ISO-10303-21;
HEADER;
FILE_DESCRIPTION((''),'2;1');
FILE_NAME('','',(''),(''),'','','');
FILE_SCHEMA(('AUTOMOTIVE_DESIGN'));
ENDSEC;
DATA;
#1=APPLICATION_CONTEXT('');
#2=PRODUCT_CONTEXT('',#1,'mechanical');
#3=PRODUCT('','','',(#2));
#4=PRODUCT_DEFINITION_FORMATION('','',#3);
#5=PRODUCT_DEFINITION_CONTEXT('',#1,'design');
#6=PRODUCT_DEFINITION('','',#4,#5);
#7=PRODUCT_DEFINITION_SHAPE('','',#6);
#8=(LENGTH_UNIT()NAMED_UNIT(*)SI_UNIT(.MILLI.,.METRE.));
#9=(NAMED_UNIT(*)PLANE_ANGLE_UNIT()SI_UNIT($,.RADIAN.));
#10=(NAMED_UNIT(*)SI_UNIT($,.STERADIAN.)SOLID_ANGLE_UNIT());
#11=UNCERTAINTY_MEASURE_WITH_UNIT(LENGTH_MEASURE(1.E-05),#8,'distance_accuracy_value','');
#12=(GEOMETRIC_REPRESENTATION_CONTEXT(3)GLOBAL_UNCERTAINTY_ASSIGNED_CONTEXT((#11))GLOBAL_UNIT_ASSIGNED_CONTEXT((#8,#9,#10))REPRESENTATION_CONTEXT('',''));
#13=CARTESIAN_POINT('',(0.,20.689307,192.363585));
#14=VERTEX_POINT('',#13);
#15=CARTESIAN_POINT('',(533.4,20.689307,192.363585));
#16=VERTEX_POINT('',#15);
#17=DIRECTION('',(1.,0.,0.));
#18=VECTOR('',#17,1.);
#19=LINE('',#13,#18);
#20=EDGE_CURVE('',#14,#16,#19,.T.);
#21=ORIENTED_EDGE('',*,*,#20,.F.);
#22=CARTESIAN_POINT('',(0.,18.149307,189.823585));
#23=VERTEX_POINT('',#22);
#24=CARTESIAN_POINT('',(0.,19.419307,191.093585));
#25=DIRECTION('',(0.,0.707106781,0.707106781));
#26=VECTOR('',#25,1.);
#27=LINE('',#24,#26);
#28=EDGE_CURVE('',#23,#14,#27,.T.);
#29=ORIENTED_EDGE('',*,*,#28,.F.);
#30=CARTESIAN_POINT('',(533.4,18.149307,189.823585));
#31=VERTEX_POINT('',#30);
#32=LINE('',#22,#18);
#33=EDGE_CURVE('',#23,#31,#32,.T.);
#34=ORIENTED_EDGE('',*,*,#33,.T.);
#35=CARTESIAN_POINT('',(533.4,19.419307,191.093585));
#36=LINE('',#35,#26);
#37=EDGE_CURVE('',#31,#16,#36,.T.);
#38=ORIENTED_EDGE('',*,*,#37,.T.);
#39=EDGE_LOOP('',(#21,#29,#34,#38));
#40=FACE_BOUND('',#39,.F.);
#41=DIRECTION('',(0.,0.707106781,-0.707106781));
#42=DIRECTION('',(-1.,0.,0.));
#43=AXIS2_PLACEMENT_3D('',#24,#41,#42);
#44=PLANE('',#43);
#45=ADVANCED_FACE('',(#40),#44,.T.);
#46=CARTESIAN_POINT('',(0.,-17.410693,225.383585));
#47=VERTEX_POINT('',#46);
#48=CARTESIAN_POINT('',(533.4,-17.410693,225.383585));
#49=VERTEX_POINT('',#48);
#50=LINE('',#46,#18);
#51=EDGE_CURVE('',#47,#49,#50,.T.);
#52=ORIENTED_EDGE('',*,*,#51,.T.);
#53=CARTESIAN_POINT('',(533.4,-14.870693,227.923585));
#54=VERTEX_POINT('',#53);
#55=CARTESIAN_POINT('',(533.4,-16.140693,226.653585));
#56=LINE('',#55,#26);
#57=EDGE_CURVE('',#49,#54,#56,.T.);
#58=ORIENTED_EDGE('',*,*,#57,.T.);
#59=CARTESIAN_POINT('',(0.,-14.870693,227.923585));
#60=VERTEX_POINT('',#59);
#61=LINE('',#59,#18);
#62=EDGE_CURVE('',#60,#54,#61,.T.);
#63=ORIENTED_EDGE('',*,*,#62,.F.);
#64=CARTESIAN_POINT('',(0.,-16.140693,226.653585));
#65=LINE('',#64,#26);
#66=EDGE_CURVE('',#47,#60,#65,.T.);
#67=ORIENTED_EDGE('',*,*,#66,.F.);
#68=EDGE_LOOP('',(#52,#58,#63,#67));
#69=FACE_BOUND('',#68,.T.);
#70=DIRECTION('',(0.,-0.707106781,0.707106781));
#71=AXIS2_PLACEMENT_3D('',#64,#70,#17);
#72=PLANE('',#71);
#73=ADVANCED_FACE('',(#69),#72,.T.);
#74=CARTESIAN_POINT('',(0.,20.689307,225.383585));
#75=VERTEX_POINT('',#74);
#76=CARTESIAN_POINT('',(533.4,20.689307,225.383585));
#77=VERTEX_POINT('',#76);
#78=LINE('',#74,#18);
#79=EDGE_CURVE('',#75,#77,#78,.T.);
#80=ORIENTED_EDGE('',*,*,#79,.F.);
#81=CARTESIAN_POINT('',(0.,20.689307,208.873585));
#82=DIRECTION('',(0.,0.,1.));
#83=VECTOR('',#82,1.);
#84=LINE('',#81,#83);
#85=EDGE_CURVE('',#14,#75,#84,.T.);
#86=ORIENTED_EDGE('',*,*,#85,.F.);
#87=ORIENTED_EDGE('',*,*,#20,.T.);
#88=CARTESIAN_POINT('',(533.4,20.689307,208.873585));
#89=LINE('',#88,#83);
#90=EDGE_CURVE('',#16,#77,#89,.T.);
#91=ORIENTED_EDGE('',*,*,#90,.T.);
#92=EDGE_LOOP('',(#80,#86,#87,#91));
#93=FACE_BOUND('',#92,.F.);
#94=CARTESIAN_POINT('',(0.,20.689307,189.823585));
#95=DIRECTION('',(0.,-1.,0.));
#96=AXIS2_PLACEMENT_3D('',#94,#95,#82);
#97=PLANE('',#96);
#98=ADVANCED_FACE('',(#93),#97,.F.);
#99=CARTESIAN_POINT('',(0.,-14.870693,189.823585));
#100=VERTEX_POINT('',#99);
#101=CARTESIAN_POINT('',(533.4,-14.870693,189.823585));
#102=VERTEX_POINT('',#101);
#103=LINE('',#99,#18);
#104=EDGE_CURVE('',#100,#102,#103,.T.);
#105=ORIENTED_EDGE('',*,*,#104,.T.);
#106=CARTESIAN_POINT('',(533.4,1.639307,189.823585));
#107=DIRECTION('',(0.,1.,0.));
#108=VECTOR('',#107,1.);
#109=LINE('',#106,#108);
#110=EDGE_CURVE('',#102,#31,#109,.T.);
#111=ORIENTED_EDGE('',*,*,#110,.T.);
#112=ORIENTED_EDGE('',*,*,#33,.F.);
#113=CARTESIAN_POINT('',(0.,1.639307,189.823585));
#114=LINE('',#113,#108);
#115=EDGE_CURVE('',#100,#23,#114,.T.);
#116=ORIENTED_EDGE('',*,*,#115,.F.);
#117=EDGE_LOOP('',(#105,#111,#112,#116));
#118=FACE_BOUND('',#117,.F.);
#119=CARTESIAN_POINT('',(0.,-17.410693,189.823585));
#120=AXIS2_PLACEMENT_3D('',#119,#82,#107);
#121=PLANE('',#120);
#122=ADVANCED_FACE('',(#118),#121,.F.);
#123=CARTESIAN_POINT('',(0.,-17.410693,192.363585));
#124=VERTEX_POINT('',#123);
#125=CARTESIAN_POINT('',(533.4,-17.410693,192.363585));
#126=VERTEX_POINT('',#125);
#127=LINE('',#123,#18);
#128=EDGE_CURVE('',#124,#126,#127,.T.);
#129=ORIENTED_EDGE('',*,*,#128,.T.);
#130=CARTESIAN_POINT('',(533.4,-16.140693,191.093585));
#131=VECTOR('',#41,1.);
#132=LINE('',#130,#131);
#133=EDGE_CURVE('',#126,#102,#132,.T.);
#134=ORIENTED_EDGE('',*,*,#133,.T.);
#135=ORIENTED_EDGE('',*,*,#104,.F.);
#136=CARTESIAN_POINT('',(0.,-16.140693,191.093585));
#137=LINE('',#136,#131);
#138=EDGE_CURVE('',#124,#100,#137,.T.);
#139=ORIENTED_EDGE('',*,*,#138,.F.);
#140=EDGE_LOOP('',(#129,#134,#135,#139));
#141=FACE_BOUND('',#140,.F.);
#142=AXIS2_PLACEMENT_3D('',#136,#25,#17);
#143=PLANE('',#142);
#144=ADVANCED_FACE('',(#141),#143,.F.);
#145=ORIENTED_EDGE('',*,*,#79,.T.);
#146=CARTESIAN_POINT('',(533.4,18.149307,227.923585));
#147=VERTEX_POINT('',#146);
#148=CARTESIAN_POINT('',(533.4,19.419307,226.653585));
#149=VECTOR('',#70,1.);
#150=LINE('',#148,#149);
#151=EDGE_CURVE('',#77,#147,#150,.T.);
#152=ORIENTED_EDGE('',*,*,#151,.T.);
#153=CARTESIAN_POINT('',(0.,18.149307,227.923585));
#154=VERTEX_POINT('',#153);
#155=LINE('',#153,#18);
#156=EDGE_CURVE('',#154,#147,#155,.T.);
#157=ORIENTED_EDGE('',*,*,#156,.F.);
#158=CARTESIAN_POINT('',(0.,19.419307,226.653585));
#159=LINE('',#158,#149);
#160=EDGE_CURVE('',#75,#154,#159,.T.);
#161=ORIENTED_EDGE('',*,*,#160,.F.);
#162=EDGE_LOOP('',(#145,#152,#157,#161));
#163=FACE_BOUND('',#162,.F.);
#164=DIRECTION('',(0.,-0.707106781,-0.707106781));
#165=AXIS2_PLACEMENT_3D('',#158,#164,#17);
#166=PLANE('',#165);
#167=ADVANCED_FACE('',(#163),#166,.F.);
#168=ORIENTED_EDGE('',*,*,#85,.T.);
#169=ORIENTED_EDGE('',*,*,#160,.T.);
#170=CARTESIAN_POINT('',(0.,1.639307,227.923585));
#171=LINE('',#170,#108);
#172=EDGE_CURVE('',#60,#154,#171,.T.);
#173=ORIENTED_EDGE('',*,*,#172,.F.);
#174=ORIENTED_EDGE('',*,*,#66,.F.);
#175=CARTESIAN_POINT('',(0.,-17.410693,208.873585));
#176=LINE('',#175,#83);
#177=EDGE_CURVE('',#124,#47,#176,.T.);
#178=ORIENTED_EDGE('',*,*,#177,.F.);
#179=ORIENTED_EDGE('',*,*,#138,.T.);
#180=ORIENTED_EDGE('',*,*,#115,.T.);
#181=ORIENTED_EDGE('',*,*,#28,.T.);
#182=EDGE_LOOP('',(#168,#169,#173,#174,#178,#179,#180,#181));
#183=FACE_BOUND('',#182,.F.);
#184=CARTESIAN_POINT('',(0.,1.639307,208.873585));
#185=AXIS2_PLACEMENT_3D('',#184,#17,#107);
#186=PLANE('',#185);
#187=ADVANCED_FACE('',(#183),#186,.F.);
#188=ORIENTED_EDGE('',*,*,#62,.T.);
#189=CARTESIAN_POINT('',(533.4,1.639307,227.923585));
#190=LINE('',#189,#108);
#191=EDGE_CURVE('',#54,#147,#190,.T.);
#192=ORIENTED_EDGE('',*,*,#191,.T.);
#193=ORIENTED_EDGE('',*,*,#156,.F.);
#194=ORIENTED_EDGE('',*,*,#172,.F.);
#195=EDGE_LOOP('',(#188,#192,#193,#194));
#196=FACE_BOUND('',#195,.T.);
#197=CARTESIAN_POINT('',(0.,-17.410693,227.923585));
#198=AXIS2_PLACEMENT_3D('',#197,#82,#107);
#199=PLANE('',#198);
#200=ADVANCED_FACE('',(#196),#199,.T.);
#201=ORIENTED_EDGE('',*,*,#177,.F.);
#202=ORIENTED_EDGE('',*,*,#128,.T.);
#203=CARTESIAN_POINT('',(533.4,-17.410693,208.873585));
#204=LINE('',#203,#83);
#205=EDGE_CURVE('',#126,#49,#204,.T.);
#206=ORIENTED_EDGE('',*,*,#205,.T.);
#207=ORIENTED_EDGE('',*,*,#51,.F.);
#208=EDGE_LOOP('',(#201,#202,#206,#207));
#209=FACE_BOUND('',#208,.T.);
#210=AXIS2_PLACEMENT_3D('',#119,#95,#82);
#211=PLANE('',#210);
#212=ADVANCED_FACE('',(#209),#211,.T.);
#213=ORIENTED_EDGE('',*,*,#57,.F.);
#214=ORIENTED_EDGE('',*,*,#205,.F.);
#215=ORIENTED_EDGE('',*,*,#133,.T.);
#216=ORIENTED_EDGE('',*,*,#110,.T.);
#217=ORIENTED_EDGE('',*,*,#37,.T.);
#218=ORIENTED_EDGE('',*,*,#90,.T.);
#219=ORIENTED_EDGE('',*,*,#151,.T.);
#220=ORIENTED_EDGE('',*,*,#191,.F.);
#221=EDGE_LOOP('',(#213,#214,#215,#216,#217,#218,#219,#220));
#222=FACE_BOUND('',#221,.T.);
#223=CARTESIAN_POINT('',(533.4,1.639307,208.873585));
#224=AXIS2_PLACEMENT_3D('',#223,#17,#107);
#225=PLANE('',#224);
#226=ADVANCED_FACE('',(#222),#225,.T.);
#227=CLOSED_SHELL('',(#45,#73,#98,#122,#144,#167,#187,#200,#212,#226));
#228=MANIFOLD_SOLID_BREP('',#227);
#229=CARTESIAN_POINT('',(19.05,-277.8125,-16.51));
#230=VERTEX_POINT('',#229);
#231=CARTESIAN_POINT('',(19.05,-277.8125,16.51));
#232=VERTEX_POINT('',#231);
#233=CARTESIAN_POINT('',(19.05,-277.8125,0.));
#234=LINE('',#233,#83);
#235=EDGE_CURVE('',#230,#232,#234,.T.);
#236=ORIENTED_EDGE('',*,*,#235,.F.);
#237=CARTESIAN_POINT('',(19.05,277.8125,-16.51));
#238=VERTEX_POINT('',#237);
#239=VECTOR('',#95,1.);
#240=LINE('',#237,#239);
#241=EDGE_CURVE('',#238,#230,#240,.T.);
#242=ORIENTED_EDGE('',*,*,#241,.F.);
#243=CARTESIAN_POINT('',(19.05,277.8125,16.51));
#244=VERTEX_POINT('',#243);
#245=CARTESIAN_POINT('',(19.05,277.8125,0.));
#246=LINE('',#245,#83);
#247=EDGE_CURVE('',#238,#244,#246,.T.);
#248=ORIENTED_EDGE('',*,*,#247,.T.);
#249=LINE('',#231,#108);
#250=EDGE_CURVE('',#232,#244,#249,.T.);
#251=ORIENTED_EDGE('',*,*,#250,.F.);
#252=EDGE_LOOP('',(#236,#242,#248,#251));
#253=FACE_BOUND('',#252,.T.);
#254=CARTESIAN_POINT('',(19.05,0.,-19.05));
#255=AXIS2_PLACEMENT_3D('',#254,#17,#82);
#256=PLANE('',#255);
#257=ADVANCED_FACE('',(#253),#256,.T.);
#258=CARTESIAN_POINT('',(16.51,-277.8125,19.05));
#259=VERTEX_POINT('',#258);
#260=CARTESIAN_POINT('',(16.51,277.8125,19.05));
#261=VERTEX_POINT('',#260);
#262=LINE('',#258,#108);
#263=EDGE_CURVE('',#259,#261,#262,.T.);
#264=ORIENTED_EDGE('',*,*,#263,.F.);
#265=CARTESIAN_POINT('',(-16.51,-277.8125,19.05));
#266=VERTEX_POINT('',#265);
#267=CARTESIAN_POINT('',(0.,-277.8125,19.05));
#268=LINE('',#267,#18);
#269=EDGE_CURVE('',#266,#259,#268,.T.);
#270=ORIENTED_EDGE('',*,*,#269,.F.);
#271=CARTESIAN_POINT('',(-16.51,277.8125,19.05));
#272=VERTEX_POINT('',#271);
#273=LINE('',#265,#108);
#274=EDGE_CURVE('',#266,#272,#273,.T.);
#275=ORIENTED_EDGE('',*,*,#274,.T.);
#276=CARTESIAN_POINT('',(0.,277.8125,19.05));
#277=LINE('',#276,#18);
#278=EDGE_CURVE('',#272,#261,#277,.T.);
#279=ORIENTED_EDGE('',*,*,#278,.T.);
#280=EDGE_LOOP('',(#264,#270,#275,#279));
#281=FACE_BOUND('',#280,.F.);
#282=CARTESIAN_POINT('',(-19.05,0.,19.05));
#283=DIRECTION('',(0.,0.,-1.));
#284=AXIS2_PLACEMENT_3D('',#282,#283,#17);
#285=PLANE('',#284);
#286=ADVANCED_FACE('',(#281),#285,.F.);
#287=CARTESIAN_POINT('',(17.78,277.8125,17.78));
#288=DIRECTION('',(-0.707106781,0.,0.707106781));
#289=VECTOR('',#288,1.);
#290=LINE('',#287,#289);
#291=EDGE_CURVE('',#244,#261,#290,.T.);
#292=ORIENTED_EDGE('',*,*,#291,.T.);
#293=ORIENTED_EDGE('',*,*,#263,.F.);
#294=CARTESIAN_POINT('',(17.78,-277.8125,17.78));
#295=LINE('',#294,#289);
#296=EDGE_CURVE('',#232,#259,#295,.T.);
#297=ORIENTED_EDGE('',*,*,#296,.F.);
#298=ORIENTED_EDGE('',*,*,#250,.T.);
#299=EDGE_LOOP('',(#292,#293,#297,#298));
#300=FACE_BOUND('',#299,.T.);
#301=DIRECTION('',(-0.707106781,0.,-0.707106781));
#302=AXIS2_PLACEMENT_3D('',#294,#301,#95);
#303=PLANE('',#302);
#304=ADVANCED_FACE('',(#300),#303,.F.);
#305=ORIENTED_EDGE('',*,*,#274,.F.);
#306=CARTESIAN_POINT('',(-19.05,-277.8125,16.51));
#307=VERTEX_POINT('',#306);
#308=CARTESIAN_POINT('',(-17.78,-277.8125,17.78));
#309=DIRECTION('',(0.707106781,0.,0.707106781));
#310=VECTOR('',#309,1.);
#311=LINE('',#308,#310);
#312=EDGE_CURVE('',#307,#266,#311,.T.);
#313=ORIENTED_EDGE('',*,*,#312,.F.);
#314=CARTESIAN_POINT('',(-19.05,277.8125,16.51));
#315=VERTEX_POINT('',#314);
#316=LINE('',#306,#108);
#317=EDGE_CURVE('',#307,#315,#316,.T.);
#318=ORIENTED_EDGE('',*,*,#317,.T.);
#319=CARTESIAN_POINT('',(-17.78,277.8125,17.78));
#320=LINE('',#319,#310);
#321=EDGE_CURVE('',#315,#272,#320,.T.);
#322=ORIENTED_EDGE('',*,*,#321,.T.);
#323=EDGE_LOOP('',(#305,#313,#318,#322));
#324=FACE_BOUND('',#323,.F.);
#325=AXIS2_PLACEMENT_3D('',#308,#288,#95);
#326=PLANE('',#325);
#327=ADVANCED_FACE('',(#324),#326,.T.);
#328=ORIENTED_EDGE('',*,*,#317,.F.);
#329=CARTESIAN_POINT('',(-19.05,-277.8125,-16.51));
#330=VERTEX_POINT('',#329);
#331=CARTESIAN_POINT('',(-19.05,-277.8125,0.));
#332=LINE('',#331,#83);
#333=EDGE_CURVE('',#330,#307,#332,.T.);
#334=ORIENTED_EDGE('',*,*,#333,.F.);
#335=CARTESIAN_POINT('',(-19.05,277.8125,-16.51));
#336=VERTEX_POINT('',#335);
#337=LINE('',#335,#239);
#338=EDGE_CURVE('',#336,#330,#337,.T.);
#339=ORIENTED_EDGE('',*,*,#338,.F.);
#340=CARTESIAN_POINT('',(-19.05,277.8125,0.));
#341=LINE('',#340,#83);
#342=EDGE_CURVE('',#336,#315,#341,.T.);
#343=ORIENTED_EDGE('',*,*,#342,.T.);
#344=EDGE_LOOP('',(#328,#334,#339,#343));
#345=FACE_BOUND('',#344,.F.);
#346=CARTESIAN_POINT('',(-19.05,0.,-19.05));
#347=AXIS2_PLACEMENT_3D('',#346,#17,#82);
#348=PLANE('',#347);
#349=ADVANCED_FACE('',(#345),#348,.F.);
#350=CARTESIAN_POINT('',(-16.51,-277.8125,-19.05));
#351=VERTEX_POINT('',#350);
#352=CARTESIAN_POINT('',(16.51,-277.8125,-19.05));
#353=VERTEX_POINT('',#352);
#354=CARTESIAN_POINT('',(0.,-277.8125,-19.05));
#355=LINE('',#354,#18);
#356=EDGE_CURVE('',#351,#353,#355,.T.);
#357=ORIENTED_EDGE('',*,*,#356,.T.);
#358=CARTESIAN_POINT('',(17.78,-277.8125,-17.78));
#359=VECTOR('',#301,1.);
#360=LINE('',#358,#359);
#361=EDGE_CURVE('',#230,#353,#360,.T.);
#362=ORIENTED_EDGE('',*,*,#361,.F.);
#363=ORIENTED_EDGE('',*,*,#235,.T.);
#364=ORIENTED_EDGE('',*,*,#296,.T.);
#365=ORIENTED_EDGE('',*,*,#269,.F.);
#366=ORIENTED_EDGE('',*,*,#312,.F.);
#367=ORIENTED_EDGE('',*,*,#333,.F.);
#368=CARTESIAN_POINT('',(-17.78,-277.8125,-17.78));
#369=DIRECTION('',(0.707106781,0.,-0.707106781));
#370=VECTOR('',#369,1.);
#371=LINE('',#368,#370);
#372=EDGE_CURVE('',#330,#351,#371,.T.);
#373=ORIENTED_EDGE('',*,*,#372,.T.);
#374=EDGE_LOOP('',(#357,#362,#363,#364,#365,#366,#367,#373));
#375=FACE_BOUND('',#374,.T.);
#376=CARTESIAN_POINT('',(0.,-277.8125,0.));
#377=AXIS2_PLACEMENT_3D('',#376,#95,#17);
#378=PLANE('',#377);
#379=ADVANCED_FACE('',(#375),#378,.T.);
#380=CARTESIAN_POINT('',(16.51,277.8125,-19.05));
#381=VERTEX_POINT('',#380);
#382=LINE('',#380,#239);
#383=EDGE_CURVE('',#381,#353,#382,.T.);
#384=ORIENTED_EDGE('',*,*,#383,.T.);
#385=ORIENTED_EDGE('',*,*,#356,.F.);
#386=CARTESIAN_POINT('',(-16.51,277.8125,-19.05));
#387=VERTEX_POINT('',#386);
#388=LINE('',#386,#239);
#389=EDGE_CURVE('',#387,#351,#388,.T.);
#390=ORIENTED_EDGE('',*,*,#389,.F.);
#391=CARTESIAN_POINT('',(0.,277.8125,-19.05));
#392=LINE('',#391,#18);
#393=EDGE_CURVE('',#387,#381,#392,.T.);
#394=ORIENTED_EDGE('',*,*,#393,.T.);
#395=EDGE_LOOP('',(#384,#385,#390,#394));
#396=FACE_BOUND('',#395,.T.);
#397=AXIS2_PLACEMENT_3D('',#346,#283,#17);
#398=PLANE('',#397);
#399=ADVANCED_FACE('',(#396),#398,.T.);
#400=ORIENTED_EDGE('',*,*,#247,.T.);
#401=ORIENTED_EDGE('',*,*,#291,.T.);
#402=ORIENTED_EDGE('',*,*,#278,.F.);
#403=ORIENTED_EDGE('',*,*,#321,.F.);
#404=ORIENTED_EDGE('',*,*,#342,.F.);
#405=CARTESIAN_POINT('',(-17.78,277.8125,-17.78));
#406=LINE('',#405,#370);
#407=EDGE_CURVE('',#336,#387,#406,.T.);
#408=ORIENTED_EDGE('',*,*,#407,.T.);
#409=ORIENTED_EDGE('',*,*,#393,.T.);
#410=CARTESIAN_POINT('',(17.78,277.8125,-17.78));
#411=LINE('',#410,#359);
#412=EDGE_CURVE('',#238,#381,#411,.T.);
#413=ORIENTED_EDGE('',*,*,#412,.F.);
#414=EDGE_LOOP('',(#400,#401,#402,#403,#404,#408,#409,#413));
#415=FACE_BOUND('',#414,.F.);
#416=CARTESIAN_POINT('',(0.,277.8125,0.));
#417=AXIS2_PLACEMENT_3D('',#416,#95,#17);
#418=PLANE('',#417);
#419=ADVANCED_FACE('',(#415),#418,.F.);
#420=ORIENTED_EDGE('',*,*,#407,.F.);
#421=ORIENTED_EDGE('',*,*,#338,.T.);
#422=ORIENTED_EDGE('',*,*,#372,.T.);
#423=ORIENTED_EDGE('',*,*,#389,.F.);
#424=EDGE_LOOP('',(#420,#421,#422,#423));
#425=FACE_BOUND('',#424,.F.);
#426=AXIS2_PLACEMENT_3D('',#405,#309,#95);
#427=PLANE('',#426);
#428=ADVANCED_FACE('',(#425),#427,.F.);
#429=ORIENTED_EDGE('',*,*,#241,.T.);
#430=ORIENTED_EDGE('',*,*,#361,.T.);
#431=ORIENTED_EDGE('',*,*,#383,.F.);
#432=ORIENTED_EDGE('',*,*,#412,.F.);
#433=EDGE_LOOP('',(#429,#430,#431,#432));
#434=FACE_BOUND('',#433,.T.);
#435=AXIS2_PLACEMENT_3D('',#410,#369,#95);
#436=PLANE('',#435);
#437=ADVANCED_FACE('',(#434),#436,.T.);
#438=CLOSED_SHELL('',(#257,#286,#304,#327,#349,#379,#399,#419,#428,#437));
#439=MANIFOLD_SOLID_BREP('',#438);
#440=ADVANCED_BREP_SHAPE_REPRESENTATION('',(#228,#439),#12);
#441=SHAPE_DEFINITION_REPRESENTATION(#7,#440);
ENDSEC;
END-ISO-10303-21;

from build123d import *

# Parameters (mm, degrees)
F0_W     = 38.1
F0_H     = 38.1
F1_DEPTH = 277.8125
F2_SIZE  = 2.54
F3_W     = 38.1
F3_H     = 38.1
F4_DEPTH = 533.4
F5_SIZE  = 2.54


with BuildPart() as f1:
    # F0 (on Front) → F1 (new body, symmetric)
    with BuildSketch(Plane.XZ):
        Rectangle(F0_W, F0_H)
    extrude(amount=F1_DEPTH, both=True)

    # F2
    f2_edges = [f1.edges().sort_by_distance(p)[0] for p in [
        (-19.05, 0, 19.05),
        (19.05, 0, 19.05),
        (19.05, 0, -19.05),
        (-19.05, 0, -19.05),
    ]]
    chamfer(f2_edges, length=F2_SIZE)


with BuildPart() as f4:
    # F3 (on Right) → F4 (new body)
    with BuildSketch(Plane.YZ):
        with Locations((1.639307, 208.873585)):
            Rectangle(F3_W, F3_H)
    extrude(amount=F4_DEPTH)

    # F5
    f5_edges = [f4.edges().sort_by_distance(p)[0] for p in [
        (266.7, -17.410693, 189.823585),
        (266.7, 20.689307, 189.823585),
        (266.7, 20.689307, 227.923585),
        (266.7, -17.410693, 227.923585),
    ]]
    chamfer(f5_edges, length=F5_SIZE)


with BuildPart() as f6_1:
    # F6: copy of F4
    add(f4.part.moved(Location((25.4, 0, 0))))


with BuildPart() as f8_1:
    # F8: copy of F4
    add(f4.part)


solid = Compound([f1.part, f4.part])
